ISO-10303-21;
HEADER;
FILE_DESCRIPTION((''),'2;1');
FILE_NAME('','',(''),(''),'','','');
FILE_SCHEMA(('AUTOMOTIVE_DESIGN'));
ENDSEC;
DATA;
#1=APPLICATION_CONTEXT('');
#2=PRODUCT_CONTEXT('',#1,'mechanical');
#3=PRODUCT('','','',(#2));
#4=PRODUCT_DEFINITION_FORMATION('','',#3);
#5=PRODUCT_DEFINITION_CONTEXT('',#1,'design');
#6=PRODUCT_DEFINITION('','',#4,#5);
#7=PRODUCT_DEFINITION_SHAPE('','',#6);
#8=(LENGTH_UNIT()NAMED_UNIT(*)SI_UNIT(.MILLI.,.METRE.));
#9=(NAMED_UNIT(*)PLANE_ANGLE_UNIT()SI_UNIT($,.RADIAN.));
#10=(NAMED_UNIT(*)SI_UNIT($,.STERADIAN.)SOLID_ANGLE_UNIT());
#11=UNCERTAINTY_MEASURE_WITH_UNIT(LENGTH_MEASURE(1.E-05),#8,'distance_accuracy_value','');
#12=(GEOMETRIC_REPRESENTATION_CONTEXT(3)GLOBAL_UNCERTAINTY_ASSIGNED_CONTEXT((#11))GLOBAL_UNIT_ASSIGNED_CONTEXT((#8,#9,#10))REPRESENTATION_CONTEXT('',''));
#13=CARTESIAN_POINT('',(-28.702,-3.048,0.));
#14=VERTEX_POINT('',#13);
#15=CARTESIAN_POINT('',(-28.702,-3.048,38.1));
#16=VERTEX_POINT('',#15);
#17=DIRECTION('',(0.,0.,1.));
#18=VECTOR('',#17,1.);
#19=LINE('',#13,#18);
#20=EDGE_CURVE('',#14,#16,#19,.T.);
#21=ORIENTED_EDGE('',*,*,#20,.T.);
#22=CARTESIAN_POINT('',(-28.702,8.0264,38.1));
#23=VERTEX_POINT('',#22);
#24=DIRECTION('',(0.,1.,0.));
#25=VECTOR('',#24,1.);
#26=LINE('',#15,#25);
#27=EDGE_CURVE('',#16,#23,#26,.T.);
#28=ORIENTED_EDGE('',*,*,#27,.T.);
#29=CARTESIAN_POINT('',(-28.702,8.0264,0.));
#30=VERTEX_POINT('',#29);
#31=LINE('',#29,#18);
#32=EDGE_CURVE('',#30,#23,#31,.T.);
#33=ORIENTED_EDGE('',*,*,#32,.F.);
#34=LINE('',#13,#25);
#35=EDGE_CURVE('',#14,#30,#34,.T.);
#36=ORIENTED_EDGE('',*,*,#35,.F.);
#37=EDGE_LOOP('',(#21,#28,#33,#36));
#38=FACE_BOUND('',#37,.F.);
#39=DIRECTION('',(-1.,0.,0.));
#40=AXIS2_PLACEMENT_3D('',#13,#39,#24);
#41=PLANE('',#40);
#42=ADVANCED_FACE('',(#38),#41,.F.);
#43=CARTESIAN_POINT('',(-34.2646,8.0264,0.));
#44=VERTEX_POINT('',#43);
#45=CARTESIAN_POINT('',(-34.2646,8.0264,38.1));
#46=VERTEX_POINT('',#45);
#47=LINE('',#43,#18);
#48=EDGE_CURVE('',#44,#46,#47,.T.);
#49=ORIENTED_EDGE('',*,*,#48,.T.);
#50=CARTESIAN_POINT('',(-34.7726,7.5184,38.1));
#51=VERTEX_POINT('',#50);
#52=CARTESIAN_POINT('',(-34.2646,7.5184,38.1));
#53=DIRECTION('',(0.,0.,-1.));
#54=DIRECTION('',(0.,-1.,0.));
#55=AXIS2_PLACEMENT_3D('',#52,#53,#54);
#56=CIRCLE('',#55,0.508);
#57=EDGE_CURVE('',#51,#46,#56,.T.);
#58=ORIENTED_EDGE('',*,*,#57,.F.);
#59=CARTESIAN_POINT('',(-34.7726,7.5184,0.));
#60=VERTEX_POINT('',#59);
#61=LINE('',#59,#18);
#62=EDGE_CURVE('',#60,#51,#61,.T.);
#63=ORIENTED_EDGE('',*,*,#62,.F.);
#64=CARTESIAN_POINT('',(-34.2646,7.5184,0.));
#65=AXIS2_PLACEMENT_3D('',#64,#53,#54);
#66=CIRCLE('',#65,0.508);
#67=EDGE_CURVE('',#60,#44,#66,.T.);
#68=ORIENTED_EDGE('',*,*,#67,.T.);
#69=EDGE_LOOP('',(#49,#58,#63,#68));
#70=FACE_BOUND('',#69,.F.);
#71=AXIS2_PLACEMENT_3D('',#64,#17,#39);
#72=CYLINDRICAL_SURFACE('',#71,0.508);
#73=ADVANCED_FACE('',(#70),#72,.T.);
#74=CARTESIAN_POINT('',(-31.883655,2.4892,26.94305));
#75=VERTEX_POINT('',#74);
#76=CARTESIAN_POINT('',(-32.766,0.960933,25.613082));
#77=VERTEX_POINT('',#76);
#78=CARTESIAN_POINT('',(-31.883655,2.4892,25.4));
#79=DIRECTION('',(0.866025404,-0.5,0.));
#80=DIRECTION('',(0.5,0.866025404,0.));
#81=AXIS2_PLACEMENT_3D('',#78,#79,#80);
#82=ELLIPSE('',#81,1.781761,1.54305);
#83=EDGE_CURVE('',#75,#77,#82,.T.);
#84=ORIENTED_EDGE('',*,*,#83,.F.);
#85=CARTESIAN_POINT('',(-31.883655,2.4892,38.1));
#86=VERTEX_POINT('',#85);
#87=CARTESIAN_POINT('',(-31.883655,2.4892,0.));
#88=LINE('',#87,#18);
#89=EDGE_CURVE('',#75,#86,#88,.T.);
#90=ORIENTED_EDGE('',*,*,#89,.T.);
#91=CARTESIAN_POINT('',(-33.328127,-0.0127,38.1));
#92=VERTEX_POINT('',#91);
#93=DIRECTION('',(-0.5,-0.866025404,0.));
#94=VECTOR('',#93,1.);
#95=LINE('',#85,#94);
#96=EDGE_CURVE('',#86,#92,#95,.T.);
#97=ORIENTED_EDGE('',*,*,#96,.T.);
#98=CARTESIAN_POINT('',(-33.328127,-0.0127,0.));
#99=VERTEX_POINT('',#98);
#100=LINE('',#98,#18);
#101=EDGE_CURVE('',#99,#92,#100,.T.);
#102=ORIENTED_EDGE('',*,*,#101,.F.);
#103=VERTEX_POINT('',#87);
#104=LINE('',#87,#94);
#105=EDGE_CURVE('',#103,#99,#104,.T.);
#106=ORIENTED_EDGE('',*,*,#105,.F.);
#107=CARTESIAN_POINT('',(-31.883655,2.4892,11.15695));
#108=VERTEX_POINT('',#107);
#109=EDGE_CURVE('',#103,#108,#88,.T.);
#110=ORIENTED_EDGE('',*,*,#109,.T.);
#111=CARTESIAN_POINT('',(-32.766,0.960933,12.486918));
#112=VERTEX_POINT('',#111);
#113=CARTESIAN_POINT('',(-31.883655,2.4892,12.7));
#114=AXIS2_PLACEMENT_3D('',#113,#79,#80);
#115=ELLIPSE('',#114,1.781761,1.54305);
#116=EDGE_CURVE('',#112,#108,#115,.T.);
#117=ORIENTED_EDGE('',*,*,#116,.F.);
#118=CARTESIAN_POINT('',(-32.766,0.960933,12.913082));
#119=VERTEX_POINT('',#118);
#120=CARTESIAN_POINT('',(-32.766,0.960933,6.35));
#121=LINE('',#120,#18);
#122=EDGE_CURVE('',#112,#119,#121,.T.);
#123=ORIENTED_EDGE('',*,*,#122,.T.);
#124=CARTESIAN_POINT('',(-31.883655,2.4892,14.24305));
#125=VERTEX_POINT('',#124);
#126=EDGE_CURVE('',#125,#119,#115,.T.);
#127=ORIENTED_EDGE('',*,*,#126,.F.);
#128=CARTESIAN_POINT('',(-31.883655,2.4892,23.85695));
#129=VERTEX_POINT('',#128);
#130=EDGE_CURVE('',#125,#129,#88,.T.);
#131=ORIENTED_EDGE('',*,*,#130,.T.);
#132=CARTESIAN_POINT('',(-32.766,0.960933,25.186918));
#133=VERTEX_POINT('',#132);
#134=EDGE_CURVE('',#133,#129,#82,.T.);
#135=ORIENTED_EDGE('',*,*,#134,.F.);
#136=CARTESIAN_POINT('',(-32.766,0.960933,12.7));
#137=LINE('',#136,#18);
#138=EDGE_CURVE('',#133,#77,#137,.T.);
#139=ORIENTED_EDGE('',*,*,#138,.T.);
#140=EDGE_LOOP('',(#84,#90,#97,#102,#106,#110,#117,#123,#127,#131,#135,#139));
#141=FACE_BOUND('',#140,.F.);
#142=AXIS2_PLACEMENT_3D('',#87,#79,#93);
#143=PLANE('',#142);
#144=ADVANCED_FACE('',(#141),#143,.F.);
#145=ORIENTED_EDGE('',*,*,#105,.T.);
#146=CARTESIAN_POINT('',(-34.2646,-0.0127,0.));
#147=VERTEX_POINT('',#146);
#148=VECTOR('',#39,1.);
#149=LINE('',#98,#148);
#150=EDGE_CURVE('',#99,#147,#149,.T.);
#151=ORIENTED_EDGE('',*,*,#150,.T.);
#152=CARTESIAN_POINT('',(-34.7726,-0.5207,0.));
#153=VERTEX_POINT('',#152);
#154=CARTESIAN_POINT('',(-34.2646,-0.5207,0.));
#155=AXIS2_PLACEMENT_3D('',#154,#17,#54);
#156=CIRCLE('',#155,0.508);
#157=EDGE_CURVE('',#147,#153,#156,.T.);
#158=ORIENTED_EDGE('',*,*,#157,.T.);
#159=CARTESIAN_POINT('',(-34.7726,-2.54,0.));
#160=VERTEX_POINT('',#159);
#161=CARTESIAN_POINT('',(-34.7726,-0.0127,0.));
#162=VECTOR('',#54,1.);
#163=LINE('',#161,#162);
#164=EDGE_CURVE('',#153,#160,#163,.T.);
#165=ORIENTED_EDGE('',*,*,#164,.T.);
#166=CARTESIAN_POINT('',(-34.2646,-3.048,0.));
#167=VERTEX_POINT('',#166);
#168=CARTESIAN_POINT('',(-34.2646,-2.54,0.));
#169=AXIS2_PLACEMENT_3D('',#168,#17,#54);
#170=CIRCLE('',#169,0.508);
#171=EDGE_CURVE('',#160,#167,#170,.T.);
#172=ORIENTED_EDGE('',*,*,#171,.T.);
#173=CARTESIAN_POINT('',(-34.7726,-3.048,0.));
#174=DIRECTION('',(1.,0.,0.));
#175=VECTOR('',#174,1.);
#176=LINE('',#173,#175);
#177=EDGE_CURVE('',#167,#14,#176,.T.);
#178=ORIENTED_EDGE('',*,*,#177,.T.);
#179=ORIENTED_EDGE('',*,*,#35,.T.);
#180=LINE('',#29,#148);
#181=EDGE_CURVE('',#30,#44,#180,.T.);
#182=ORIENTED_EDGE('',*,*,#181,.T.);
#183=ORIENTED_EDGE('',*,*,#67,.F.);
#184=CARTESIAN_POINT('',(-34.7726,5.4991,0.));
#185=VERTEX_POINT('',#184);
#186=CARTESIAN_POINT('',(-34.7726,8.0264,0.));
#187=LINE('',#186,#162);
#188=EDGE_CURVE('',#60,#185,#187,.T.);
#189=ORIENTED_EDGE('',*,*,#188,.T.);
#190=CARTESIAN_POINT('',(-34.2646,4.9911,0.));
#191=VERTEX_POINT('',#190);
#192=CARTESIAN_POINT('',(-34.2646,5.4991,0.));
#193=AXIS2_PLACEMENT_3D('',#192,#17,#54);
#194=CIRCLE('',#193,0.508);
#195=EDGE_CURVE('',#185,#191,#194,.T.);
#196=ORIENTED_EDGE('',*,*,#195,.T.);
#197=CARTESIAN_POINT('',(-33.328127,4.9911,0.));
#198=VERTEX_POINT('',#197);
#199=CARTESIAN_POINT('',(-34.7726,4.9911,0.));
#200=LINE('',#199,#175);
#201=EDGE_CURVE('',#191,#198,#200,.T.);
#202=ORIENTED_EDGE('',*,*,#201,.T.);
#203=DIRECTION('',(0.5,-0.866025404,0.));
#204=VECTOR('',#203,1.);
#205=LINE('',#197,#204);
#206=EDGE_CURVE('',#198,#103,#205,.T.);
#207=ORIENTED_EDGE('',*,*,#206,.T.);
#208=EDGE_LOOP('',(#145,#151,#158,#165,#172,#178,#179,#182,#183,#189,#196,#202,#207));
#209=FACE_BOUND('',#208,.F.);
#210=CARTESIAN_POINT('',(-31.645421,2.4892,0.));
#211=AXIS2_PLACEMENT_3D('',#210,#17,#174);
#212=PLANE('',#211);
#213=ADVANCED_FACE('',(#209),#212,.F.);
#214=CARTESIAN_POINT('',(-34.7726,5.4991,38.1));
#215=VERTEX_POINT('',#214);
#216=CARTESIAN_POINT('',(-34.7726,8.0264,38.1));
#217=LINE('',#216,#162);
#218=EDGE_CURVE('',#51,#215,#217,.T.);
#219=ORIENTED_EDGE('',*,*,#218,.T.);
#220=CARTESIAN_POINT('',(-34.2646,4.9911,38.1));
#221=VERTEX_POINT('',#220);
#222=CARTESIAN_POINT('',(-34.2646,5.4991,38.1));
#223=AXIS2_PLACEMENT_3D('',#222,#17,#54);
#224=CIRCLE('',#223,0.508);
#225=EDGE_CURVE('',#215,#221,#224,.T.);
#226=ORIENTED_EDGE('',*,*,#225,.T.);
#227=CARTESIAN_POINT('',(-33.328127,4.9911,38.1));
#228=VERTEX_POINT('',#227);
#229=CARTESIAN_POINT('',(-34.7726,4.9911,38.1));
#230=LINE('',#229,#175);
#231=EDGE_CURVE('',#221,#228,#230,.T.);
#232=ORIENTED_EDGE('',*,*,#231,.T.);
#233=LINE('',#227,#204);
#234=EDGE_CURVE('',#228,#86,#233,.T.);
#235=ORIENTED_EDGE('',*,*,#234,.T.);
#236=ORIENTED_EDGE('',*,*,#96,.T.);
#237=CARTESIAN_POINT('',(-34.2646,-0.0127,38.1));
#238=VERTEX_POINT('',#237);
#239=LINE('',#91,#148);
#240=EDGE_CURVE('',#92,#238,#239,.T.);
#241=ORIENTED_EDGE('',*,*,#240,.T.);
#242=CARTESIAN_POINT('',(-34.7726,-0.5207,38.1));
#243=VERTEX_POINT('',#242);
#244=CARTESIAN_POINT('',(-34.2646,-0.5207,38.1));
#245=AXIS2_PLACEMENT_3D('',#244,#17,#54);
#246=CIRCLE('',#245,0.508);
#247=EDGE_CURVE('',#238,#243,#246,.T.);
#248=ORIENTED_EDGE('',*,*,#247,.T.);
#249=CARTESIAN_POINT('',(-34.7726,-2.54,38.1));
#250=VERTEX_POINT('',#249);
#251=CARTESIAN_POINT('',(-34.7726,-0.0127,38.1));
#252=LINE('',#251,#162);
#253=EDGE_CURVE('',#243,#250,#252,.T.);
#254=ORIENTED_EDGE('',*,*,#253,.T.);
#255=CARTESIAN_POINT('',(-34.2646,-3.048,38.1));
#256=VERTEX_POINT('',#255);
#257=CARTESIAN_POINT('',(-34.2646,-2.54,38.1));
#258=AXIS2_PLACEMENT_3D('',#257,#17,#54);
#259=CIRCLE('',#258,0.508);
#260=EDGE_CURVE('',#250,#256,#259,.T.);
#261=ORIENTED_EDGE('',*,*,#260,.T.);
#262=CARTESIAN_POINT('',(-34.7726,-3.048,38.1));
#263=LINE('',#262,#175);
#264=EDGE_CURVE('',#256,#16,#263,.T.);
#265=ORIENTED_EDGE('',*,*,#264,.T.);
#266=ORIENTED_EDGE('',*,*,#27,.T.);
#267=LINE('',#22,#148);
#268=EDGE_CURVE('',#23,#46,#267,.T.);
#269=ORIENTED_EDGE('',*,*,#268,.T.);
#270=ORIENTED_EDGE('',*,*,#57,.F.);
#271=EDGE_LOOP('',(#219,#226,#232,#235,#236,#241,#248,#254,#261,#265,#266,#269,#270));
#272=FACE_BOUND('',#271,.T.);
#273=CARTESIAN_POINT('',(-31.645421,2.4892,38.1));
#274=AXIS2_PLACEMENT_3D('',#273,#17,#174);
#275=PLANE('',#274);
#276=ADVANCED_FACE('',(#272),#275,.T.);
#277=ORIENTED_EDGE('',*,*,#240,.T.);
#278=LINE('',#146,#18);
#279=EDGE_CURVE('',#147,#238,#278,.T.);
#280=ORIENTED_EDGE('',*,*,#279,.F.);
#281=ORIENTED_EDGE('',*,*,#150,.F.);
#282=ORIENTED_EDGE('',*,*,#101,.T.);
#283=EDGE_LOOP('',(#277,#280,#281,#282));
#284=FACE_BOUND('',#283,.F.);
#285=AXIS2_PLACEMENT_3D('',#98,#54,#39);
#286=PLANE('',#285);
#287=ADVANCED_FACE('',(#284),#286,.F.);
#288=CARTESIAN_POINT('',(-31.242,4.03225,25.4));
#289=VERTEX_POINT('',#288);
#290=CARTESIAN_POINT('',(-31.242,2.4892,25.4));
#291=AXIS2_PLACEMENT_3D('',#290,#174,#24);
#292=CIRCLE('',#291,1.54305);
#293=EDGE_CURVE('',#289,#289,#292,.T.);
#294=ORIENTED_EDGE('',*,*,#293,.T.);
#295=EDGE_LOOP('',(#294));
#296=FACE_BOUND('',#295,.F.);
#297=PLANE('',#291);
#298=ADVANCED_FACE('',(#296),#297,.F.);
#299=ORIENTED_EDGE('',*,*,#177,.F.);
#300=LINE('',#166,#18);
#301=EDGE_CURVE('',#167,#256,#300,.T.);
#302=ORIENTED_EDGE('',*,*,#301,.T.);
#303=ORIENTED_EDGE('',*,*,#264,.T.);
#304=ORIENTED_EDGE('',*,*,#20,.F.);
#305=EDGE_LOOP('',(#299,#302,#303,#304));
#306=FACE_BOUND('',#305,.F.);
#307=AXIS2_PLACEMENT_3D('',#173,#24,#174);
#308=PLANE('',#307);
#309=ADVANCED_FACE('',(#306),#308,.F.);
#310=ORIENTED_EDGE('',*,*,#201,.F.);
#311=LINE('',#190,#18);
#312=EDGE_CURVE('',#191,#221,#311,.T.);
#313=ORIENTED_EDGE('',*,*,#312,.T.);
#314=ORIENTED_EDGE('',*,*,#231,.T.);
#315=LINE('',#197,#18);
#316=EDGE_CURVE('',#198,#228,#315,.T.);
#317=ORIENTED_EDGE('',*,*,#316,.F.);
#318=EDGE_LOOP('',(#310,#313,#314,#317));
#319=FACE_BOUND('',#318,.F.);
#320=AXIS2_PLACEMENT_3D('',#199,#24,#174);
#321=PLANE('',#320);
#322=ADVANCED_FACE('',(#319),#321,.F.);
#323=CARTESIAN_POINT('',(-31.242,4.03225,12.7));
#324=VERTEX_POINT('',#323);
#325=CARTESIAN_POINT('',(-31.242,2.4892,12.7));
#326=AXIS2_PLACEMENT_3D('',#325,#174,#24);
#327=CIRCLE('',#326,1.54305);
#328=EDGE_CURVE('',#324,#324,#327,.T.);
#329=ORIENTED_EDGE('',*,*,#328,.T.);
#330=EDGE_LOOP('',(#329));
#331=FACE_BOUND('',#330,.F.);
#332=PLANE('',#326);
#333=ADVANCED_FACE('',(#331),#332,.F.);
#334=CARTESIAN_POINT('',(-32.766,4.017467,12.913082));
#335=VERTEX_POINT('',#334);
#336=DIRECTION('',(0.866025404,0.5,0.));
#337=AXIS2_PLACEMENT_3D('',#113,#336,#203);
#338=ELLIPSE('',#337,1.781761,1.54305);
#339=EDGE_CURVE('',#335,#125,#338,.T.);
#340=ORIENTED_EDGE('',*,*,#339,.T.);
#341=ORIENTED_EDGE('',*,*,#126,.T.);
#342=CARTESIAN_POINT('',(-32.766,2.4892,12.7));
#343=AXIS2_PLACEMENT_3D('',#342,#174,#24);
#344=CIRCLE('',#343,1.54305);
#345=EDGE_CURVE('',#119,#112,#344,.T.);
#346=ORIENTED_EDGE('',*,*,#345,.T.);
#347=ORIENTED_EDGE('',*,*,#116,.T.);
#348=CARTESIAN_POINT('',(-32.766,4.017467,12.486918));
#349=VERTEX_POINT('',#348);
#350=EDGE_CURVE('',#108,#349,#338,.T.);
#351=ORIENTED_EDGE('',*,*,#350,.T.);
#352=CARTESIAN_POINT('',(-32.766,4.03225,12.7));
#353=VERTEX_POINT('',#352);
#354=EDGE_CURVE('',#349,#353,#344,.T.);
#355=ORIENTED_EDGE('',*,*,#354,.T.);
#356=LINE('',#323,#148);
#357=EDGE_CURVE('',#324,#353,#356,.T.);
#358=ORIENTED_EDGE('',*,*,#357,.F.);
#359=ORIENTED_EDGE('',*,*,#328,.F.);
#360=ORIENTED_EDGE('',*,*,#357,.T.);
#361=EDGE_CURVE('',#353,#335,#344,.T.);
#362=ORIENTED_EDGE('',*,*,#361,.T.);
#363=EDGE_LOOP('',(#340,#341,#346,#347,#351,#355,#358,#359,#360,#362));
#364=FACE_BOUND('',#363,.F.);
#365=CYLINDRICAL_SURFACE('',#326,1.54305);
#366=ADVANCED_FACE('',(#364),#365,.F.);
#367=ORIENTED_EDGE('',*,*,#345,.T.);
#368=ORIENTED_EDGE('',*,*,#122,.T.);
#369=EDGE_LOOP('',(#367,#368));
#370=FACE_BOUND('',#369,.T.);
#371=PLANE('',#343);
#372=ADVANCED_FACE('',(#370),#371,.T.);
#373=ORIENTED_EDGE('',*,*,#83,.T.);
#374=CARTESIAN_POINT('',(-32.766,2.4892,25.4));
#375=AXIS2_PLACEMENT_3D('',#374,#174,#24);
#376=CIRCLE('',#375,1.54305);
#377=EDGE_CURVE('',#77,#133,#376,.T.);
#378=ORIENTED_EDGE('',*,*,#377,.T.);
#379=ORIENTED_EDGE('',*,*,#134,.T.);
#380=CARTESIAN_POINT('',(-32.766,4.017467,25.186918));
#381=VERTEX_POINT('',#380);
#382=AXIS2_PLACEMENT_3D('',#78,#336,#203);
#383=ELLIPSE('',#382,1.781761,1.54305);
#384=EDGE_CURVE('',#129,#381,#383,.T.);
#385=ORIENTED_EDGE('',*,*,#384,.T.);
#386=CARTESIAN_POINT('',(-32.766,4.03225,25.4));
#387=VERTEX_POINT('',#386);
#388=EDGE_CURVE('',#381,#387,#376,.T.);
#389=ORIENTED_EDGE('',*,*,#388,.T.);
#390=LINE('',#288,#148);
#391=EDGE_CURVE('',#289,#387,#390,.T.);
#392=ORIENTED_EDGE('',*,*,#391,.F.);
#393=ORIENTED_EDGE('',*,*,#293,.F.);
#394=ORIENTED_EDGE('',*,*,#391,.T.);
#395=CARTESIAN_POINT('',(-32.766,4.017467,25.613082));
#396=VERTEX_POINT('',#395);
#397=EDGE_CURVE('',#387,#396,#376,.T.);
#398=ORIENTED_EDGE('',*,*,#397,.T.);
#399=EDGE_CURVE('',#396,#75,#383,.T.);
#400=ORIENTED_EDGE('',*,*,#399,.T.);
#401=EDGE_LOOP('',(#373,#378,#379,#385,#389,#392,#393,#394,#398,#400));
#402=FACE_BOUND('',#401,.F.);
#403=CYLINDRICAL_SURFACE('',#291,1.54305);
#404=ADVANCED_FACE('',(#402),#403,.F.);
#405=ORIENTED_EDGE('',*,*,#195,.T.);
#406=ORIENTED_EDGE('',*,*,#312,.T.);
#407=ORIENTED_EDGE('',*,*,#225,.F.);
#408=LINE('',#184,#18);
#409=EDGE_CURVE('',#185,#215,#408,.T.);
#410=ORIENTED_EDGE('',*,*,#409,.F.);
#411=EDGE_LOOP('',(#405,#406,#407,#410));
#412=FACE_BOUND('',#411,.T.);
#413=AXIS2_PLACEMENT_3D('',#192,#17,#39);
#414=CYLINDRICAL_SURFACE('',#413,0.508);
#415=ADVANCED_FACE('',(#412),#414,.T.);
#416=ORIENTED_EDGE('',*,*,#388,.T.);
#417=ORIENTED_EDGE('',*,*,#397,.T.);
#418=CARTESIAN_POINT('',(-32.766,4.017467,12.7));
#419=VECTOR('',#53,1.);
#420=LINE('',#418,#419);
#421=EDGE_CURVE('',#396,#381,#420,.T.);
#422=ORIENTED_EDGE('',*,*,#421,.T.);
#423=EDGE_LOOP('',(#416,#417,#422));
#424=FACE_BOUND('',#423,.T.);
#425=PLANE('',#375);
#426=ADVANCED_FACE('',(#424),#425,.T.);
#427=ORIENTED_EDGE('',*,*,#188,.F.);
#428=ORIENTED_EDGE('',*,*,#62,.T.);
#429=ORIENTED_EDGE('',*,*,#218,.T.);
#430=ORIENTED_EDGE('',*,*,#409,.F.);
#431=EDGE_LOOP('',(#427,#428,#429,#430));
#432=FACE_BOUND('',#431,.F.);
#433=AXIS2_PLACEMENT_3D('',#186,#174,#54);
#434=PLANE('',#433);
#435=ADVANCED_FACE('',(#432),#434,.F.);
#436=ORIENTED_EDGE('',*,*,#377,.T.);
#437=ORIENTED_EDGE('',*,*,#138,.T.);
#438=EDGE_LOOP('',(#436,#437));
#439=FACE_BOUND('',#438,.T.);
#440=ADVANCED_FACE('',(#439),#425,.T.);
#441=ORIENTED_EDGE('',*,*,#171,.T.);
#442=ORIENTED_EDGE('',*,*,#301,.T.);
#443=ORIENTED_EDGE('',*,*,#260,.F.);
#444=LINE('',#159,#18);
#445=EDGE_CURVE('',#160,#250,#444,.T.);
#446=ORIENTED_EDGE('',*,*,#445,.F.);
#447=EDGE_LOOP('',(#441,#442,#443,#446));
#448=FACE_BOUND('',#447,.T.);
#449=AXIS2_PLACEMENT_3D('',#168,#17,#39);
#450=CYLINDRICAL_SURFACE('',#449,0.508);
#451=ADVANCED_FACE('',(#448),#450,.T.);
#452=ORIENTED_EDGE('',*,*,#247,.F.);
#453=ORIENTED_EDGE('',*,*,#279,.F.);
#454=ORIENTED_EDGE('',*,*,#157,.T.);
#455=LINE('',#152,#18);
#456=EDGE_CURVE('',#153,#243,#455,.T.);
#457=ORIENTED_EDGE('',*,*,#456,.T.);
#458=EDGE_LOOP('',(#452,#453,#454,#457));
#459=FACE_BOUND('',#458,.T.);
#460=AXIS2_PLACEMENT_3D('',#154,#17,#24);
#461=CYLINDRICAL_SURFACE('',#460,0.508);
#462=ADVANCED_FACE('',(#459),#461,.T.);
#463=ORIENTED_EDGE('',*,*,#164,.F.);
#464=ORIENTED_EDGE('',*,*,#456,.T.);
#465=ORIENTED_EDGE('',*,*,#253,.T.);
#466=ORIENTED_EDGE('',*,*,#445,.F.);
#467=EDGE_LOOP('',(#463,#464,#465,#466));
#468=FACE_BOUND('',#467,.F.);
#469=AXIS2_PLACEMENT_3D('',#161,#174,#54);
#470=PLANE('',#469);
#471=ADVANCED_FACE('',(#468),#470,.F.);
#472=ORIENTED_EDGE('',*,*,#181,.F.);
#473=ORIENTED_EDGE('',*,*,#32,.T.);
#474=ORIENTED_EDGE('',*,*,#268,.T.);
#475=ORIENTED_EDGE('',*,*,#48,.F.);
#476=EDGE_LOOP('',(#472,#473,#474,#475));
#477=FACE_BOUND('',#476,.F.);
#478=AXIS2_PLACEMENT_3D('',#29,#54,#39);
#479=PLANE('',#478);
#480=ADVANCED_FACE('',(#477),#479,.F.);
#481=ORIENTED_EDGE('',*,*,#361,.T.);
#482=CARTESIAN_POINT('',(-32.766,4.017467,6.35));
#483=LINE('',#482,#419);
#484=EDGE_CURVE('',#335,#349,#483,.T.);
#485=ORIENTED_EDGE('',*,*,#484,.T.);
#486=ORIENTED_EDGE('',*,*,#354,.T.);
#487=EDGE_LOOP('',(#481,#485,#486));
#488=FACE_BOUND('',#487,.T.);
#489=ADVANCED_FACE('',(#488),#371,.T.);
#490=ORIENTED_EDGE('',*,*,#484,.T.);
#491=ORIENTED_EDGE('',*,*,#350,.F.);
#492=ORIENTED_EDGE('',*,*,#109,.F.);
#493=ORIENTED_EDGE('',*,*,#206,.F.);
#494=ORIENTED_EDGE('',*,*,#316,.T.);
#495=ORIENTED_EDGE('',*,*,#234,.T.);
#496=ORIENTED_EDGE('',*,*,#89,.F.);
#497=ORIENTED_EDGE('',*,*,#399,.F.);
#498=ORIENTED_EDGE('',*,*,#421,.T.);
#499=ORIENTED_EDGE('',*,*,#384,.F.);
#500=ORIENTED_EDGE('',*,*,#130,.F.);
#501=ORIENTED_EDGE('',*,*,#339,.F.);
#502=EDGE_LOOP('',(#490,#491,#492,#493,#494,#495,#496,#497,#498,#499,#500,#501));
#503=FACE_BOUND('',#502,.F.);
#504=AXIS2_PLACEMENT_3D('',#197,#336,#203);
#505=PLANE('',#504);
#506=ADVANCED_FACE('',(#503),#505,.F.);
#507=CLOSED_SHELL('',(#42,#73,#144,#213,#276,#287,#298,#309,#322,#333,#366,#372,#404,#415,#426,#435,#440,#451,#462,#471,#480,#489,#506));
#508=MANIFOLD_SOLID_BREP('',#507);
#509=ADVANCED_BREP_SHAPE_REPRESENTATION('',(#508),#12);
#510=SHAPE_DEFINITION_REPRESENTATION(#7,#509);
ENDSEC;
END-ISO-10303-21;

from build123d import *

# Parameters (mm, degrees)
F1_DEPTH = 38.1
F3_START = -2.54
F2_R     = 1.54305
F3_DEPTH = 1.524
F4_R     = 0.508


with BuildPart() as f1:
    # F0 (on Top) → F1 (new body)
    with BuildSketch(Plane.XY):
        Polygon((-31.75, 8.0264), (-34.7726, 8.0264), (-34.7726, 4.9911), (-33.3281273615, 4.9911), (-31.883654723, 2.4892), (-33.3281273615, -0.0127), (-34.7726, -0.0127), (-34.7726, -3.048), (-31.75, -3.048), (-28.702, -3.048), (-28.702, 8.0264), align=None)
    extrude(amount=F1_DEPTH)

    # F2 (on face) → F3 (cut)
    with BuildSketch(Plane.YZ.offset(-28.702).offset(F3_START)):
        with Locations((2.4892, 25.4)):
            Circle(F2_R)
        with Locations((2.4892, 12.7)):
            Circle(F2_R)
    extrude(amount=-F3_DEPTH, mode=Mode.SUBTRACT)

    # F4
    f4_edges = [f1.edges().sort_by_distance(p)[0] for p in [
        (-34.7726, -3.048, 19.05),
        (-34.7726, 8.0264, 19.05),
        (-34.7726, 4.9911, 19.05),
        (-34.7726, -0.0127, 19.05),
    ]]
    fillet(f4_edges, radius=F4_R)


solid = f1.part
